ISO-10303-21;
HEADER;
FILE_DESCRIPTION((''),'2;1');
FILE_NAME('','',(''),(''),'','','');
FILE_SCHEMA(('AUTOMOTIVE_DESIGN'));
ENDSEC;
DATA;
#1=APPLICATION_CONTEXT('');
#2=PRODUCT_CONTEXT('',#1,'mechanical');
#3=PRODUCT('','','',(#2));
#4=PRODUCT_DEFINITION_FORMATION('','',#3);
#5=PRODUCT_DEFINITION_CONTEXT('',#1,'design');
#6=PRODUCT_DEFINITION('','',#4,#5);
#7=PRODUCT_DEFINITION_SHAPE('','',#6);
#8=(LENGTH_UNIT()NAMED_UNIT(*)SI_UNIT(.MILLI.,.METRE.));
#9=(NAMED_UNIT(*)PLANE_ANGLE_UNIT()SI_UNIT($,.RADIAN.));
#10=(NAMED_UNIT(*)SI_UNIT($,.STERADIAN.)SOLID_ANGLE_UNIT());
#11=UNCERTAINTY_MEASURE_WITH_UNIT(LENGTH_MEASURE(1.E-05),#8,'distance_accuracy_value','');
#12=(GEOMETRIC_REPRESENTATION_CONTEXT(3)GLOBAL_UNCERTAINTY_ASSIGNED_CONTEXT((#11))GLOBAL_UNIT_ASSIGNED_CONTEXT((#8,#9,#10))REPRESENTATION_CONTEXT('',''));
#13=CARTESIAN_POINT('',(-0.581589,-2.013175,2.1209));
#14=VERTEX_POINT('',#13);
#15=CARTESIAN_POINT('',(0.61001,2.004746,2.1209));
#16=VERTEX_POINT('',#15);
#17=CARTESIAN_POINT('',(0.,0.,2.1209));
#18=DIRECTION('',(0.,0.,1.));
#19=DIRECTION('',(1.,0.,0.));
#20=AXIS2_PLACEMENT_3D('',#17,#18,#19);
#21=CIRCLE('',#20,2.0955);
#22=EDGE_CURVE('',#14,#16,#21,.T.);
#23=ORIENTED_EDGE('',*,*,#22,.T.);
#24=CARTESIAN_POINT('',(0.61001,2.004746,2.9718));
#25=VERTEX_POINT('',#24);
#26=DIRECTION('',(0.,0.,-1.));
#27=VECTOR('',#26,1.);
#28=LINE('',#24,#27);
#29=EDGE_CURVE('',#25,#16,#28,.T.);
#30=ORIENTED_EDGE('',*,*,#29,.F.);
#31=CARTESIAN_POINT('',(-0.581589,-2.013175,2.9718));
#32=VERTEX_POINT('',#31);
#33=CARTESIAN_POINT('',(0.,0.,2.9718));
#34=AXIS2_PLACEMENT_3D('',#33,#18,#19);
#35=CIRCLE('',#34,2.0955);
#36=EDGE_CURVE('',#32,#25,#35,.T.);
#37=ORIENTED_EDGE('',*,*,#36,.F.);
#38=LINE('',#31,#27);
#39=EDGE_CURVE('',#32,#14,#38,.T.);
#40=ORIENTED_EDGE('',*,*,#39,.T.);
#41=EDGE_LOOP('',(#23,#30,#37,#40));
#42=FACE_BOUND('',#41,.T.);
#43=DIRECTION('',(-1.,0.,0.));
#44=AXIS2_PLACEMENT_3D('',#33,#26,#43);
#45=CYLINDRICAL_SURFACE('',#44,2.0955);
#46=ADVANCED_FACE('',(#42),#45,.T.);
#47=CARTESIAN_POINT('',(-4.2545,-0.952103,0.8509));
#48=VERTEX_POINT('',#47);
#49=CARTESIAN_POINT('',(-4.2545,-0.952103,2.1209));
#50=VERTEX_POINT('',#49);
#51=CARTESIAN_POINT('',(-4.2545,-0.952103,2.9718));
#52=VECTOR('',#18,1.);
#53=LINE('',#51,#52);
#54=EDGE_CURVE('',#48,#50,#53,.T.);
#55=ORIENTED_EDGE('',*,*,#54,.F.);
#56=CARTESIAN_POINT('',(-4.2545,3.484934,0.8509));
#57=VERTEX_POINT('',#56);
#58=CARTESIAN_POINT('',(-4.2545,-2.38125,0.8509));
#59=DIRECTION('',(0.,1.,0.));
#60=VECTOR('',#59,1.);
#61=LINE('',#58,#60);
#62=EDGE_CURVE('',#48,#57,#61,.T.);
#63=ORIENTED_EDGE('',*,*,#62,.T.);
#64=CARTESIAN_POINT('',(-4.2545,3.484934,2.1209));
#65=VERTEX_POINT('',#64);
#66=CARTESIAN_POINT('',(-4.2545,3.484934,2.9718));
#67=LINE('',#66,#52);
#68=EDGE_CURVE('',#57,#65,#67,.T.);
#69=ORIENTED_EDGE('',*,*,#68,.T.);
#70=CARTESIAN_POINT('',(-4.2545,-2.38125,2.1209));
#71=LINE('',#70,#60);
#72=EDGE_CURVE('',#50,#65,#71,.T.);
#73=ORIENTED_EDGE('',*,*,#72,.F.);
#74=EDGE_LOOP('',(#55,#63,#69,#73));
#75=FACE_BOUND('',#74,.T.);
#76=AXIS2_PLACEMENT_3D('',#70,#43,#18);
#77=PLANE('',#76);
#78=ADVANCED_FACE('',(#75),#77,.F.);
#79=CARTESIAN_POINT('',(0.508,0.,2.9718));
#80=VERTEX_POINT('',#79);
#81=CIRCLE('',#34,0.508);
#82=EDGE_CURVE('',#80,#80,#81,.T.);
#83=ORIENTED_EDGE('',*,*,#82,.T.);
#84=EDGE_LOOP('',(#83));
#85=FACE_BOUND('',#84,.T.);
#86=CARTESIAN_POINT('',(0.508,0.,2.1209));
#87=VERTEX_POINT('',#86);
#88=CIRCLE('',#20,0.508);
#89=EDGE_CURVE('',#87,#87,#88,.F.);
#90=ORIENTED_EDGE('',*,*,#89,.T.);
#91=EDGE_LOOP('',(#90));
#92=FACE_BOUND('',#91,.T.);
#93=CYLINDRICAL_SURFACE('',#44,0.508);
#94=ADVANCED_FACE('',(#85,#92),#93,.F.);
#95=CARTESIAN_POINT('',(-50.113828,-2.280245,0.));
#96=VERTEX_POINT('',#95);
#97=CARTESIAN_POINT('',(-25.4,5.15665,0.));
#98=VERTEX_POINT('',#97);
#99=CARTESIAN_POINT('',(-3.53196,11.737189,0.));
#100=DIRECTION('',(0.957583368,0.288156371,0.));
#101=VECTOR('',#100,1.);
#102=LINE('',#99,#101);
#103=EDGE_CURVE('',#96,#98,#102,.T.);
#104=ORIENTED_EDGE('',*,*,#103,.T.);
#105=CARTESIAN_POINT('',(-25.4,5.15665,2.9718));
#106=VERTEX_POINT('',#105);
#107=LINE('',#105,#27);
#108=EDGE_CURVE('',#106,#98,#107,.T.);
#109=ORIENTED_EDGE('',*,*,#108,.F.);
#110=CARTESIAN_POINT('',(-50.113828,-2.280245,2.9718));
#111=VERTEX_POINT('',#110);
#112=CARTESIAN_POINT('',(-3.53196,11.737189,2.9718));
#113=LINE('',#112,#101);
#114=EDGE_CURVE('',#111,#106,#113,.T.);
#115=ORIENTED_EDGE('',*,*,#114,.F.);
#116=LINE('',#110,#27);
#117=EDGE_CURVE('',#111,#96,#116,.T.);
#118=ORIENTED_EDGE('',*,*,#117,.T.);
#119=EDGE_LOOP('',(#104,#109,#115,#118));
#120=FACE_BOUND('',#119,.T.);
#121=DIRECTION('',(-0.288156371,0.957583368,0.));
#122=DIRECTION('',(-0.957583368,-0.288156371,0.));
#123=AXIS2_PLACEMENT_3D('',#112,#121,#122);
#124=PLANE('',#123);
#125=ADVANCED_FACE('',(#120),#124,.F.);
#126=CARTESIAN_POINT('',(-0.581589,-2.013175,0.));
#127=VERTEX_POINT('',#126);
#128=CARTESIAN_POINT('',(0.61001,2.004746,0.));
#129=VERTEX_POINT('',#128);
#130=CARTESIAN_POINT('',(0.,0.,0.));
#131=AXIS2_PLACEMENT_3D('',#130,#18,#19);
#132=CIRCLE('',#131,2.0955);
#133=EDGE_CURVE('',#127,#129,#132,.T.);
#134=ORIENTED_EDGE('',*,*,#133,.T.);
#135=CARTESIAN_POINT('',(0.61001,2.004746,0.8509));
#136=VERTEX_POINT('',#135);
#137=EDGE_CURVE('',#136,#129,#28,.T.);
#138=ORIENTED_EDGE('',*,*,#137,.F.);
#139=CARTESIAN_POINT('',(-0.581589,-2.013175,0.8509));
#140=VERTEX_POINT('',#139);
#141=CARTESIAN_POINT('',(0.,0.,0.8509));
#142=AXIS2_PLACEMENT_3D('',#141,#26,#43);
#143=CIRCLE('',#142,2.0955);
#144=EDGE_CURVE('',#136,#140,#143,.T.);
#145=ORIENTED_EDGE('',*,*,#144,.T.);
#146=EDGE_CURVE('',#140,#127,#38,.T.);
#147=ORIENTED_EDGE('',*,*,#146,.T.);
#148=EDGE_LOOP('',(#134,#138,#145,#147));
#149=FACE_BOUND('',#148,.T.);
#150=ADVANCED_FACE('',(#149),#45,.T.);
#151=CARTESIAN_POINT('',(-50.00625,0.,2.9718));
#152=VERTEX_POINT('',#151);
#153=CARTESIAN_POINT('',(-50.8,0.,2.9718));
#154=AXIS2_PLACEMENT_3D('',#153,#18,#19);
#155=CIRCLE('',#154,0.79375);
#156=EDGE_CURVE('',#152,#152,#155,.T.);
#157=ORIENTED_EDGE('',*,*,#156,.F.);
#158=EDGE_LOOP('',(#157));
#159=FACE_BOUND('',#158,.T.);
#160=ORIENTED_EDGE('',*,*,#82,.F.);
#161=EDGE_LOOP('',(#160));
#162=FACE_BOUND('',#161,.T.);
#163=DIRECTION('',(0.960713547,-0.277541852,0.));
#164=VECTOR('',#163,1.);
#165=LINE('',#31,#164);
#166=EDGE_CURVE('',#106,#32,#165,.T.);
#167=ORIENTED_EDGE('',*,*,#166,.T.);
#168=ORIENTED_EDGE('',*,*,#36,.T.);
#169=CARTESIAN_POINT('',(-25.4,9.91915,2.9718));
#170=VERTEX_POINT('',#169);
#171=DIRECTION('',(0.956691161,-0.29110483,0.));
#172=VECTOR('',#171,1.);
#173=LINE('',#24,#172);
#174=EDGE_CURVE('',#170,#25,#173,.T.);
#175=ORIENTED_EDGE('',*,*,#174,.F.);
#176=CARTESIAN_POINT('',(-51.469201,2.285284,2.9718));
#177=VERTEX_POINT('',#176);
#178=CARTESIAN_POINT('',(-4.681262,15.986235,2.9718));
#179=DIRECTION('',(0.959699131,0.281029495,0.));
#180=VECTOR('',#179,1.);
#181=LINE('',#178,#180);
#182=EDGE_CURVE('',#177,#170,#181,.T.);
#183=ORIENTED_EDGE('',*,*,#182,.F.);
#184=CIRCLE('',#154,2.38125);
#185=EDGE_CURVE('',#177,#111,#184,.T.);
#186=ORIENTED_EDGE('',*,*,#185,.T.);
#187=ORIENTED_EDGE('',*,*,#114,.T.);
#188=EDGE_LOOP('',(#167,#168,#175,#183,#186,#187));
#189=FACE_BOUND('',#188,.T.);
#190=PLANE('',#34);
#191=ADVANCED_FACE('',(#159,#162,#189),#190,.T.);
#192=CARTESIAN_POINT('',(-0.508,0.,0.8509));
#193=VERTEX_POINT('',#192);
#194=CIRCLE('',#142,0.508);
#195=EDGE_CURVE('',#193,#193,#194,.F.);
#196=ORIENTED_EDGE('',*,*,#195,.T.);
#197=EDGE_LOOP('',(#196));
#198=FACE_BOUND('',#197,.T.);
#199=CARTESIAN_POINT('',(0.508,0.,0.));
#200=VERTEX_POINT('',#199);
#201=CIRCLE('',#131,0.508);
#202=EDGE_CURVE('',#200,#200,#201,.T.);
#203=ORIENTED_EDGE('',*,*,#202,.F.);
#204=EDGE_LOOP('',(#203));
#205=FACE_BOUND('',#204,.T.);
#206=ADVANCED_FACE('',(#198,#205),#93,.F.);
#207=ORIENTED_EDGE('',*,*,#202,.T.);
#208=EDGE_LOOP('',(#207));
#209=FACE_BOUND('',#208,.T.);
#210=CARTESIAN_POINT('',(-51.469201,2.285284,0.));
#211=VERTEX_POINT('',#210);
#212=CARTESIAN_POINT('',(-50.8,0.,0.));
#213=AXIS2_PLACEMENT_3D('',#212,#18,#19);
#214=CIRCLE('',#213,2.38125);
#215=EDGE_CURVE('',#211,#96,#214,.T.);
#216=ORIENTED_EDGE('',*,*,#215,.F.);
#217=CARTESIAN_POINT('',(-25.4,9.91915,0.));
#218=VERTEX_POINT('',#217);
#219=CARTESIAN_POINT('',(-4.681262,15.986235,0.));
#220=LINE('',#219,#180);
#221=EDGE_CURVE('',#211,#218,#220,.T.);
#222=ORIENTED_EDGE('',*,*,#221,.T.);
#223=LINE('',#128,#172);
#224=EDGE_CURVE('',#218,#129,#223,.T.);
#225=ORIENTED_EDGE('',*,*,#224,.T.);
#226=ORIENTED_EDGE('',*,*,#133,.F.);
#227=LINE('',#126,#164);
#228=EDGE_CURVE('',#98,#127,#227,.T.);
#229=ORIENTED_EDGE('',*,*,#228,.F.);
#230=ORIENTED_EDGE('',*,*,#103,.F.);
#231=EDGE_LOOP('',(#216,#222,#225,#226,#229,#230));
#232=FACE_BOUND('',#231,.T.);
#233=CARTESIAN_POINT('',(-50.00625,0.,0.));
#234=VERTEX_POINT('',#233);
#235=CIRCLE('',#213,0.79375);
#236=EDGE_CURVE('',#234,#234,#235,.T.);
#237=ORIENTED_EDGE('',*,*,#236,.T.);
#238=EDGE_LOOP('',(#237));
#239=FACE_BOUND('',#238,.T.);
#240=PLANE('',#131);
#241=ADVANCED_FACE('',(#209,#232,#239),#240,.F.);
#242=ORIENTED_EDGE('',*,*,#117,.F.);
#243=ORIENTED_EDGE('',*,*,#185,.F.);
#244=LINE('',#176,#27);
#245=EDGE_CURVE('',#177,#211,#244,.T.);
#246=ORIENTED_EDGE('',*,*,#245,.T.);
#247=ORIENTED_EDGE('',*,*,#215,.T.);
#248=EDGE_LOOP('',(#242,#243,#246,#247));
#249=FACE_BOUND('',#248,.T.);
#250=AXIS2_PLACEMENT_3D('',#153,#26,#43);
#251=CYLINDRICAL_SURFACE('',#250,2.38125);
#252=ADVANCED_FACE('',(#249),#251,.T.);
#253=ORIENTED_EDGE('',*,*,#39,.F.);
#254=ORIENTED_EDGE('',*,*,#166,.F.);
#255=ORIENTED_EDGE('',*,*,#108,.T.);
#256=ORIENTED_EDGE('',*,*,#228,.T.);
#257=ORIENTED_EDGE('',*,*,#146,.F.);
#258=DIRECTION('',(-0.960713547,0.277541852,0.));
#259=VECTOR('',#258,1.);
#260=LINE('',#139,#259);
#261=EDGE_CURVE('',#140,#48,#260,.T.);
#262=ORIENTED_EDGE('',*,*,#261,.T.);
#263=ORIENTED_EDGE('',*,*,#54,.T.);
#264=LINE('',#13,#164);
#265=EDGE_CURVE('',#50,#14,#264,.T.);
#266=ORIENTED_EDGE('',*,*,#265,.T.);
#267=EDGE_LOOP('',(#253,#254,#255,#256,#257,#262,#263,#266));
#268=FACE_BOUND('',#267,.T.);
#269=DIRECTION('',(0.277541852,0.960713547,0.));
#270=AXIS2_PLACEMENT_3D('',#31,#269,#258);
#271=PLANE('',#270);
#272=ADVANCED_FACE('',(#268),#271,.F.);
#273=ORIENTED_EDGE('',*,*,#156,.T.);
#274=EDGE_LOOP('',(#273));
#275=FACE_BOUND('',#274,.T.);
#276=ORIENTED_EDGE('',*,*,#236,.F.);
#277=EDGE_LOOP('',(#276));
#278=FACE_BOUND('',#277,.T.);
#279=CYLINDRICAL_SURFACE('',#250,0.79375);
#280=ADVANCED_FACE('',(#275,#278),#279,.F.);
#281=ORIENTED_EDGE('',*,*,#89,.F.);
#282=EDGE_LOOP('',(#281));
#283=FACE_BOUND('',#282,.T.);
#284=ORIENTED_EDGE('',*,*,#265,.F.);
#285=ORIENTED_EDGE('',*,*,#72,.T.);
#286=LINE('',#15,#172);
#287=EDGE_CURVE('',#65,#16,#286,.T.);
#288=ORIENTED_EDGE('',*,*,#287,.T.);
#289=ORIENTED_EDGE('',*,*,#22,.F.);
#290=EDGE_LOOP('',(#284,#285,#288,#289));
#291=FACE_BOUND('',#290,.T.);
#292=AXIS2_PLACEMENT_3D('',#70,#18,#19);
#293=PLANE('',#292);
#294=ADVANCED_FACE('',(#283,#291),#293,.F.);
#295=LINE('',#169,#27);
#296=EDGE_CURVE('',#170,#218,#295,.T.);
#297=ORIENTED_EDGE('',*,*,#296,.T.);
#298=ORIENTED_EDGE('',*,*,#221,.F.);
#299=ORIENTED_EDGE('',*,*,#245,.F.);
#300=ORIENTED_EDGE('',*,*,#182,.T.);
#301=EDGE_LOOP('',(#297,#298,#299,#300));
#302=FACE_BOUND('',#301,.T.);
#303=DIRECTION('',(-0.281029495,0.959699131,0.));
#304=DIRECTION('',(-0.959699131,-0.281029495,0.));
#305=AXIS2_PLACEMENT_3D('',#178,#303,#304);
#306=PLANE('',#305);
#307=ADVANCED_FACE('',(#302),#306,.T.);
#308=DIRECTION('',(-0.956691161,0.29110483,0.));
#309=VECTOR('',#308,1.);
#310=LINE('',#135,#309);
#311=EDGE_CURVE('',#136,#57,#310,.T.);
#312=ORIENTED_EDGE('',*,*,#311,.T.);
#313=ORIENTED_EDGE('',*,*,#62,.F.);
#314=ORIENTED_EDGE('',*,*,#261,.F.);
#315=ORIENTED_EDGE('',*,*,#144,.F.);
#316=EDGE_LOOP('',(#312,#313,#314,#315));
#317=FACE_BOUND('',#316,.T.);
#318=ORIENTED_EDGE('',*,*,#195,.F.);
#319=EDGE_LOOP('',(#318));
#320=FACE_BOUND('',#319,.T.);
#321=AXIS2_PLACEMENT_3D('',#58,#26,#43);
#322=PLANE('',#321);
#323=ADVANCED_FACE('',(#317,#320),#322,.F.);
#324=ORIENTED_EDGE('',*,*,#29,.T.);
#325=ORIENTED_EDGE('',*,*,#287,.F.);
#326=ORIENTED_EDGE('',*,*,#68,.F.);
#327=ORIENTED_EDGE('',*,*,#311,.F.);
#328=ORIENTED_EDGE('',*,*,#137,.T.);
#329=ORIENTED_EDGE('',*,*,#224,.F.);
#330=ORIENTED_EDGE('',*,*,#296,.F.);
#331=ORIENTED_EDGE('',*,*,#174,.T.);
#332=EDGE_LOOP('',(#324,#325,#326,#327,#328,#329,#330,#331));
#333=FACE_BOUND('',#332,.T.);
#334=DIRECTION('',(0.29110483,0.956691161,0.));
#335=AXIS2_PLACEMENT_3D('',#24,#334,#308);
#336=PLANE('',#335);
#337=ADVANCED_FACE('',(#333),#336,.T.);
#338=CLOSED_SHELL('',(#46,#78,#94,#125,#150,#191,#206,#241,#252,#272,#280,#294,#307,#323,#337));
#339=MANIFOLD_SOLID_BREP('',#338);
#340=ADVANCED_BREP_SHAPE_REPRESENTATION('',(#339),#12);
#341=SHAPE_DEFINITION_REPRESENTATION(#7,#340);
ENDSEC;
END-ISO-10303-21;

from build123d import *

# Parameters (mm, degrees)
SKETCH1_R               = 0.79375
BOSS_EXTRUDE1_DEPTH     = 2.9718
SKETCH2_W               = 8.538559206
SKETCH2_H               = 1.27
CUT_EXTRUDE1_DEPTH      = 10.919149519
CUT_EXTRUDE1_DEPTH_BACK = 3.38125
SKETCH1_4_R             = 0.508
CUT_EXTRUDE3_DEPTH      = 3.9718
CUT_EXTRUDE3_DEPTH_BACK = 1


with BuildPart() as part:
    # Sketch1 → Boss-Extrude1 (new body)
    with BuildSketch(Plane.XY):
        with BuildLine():
            Line((-50.113827643, -2.280245394), (-25.4, 5.156649519))
            Line((-25.4, 5.156649519), (-0.581588952, -2.013175239))
            ThreePointArc((-0.581588952, -2.013175239), (2.009011043, -0.595814467), (0.610010171, 2.004746329))
            Line((0.610010171, 2.004746329), (-25.4, 9.919149519))
            Line((-25.4, 9.919149519), (-51.469201485, 2.285283557))
            ThreePointArc((-51.469201485, 2.285283557), (-53.082780246, -0.677691603), (-50.113827643, -2.280245394))
        make_face()
        with Locations((-50.8, 0)):
            Circle(SKETCH1_R, mode=Mode.SUBTRACT)
    extrude(amount=BOSS_EXTRUDE1_DEPTH)

    # Sketch2 → Cut-Extrude1 (cut, two sides)
    with BuildSketch(Plane(origin=(0, 0, 0), x_dir=(1, 0, 0), z_dir=(0, 1, 0))) as cut_extrude1_sk:
        with Locations((0.014779603, -1.4859)):
            Rectangle(SKETCH2_W, SKETCH2_H)
    extrude(amount=CUT_EXTRUDE1_DEPTH, mode=Mode.SUBTRACT)
    extrude(cut_extrude1_sk.sketch, amount=-CUT_EXTRUDE1_DEPTH_BACK, mode=Mode.SUBTRACT)

    # Sketch1<4> → Cut-Extrude3 (cut, two sides)
    with BuildSketch(Plane.XY) as cut_extrude3_sk:
        Circle(SKETCH1_4_R)
    extrude(amount=CUT_EXTRUDE3_DEPTH, mode=Mode.SUBTRACT)
    extrude(cut_extrude3_sk.sketch, amount=-CUT_EXTRUDE3_DEPTH_BACK, mode=Mode.SUBTRACT)


solid = part.part
